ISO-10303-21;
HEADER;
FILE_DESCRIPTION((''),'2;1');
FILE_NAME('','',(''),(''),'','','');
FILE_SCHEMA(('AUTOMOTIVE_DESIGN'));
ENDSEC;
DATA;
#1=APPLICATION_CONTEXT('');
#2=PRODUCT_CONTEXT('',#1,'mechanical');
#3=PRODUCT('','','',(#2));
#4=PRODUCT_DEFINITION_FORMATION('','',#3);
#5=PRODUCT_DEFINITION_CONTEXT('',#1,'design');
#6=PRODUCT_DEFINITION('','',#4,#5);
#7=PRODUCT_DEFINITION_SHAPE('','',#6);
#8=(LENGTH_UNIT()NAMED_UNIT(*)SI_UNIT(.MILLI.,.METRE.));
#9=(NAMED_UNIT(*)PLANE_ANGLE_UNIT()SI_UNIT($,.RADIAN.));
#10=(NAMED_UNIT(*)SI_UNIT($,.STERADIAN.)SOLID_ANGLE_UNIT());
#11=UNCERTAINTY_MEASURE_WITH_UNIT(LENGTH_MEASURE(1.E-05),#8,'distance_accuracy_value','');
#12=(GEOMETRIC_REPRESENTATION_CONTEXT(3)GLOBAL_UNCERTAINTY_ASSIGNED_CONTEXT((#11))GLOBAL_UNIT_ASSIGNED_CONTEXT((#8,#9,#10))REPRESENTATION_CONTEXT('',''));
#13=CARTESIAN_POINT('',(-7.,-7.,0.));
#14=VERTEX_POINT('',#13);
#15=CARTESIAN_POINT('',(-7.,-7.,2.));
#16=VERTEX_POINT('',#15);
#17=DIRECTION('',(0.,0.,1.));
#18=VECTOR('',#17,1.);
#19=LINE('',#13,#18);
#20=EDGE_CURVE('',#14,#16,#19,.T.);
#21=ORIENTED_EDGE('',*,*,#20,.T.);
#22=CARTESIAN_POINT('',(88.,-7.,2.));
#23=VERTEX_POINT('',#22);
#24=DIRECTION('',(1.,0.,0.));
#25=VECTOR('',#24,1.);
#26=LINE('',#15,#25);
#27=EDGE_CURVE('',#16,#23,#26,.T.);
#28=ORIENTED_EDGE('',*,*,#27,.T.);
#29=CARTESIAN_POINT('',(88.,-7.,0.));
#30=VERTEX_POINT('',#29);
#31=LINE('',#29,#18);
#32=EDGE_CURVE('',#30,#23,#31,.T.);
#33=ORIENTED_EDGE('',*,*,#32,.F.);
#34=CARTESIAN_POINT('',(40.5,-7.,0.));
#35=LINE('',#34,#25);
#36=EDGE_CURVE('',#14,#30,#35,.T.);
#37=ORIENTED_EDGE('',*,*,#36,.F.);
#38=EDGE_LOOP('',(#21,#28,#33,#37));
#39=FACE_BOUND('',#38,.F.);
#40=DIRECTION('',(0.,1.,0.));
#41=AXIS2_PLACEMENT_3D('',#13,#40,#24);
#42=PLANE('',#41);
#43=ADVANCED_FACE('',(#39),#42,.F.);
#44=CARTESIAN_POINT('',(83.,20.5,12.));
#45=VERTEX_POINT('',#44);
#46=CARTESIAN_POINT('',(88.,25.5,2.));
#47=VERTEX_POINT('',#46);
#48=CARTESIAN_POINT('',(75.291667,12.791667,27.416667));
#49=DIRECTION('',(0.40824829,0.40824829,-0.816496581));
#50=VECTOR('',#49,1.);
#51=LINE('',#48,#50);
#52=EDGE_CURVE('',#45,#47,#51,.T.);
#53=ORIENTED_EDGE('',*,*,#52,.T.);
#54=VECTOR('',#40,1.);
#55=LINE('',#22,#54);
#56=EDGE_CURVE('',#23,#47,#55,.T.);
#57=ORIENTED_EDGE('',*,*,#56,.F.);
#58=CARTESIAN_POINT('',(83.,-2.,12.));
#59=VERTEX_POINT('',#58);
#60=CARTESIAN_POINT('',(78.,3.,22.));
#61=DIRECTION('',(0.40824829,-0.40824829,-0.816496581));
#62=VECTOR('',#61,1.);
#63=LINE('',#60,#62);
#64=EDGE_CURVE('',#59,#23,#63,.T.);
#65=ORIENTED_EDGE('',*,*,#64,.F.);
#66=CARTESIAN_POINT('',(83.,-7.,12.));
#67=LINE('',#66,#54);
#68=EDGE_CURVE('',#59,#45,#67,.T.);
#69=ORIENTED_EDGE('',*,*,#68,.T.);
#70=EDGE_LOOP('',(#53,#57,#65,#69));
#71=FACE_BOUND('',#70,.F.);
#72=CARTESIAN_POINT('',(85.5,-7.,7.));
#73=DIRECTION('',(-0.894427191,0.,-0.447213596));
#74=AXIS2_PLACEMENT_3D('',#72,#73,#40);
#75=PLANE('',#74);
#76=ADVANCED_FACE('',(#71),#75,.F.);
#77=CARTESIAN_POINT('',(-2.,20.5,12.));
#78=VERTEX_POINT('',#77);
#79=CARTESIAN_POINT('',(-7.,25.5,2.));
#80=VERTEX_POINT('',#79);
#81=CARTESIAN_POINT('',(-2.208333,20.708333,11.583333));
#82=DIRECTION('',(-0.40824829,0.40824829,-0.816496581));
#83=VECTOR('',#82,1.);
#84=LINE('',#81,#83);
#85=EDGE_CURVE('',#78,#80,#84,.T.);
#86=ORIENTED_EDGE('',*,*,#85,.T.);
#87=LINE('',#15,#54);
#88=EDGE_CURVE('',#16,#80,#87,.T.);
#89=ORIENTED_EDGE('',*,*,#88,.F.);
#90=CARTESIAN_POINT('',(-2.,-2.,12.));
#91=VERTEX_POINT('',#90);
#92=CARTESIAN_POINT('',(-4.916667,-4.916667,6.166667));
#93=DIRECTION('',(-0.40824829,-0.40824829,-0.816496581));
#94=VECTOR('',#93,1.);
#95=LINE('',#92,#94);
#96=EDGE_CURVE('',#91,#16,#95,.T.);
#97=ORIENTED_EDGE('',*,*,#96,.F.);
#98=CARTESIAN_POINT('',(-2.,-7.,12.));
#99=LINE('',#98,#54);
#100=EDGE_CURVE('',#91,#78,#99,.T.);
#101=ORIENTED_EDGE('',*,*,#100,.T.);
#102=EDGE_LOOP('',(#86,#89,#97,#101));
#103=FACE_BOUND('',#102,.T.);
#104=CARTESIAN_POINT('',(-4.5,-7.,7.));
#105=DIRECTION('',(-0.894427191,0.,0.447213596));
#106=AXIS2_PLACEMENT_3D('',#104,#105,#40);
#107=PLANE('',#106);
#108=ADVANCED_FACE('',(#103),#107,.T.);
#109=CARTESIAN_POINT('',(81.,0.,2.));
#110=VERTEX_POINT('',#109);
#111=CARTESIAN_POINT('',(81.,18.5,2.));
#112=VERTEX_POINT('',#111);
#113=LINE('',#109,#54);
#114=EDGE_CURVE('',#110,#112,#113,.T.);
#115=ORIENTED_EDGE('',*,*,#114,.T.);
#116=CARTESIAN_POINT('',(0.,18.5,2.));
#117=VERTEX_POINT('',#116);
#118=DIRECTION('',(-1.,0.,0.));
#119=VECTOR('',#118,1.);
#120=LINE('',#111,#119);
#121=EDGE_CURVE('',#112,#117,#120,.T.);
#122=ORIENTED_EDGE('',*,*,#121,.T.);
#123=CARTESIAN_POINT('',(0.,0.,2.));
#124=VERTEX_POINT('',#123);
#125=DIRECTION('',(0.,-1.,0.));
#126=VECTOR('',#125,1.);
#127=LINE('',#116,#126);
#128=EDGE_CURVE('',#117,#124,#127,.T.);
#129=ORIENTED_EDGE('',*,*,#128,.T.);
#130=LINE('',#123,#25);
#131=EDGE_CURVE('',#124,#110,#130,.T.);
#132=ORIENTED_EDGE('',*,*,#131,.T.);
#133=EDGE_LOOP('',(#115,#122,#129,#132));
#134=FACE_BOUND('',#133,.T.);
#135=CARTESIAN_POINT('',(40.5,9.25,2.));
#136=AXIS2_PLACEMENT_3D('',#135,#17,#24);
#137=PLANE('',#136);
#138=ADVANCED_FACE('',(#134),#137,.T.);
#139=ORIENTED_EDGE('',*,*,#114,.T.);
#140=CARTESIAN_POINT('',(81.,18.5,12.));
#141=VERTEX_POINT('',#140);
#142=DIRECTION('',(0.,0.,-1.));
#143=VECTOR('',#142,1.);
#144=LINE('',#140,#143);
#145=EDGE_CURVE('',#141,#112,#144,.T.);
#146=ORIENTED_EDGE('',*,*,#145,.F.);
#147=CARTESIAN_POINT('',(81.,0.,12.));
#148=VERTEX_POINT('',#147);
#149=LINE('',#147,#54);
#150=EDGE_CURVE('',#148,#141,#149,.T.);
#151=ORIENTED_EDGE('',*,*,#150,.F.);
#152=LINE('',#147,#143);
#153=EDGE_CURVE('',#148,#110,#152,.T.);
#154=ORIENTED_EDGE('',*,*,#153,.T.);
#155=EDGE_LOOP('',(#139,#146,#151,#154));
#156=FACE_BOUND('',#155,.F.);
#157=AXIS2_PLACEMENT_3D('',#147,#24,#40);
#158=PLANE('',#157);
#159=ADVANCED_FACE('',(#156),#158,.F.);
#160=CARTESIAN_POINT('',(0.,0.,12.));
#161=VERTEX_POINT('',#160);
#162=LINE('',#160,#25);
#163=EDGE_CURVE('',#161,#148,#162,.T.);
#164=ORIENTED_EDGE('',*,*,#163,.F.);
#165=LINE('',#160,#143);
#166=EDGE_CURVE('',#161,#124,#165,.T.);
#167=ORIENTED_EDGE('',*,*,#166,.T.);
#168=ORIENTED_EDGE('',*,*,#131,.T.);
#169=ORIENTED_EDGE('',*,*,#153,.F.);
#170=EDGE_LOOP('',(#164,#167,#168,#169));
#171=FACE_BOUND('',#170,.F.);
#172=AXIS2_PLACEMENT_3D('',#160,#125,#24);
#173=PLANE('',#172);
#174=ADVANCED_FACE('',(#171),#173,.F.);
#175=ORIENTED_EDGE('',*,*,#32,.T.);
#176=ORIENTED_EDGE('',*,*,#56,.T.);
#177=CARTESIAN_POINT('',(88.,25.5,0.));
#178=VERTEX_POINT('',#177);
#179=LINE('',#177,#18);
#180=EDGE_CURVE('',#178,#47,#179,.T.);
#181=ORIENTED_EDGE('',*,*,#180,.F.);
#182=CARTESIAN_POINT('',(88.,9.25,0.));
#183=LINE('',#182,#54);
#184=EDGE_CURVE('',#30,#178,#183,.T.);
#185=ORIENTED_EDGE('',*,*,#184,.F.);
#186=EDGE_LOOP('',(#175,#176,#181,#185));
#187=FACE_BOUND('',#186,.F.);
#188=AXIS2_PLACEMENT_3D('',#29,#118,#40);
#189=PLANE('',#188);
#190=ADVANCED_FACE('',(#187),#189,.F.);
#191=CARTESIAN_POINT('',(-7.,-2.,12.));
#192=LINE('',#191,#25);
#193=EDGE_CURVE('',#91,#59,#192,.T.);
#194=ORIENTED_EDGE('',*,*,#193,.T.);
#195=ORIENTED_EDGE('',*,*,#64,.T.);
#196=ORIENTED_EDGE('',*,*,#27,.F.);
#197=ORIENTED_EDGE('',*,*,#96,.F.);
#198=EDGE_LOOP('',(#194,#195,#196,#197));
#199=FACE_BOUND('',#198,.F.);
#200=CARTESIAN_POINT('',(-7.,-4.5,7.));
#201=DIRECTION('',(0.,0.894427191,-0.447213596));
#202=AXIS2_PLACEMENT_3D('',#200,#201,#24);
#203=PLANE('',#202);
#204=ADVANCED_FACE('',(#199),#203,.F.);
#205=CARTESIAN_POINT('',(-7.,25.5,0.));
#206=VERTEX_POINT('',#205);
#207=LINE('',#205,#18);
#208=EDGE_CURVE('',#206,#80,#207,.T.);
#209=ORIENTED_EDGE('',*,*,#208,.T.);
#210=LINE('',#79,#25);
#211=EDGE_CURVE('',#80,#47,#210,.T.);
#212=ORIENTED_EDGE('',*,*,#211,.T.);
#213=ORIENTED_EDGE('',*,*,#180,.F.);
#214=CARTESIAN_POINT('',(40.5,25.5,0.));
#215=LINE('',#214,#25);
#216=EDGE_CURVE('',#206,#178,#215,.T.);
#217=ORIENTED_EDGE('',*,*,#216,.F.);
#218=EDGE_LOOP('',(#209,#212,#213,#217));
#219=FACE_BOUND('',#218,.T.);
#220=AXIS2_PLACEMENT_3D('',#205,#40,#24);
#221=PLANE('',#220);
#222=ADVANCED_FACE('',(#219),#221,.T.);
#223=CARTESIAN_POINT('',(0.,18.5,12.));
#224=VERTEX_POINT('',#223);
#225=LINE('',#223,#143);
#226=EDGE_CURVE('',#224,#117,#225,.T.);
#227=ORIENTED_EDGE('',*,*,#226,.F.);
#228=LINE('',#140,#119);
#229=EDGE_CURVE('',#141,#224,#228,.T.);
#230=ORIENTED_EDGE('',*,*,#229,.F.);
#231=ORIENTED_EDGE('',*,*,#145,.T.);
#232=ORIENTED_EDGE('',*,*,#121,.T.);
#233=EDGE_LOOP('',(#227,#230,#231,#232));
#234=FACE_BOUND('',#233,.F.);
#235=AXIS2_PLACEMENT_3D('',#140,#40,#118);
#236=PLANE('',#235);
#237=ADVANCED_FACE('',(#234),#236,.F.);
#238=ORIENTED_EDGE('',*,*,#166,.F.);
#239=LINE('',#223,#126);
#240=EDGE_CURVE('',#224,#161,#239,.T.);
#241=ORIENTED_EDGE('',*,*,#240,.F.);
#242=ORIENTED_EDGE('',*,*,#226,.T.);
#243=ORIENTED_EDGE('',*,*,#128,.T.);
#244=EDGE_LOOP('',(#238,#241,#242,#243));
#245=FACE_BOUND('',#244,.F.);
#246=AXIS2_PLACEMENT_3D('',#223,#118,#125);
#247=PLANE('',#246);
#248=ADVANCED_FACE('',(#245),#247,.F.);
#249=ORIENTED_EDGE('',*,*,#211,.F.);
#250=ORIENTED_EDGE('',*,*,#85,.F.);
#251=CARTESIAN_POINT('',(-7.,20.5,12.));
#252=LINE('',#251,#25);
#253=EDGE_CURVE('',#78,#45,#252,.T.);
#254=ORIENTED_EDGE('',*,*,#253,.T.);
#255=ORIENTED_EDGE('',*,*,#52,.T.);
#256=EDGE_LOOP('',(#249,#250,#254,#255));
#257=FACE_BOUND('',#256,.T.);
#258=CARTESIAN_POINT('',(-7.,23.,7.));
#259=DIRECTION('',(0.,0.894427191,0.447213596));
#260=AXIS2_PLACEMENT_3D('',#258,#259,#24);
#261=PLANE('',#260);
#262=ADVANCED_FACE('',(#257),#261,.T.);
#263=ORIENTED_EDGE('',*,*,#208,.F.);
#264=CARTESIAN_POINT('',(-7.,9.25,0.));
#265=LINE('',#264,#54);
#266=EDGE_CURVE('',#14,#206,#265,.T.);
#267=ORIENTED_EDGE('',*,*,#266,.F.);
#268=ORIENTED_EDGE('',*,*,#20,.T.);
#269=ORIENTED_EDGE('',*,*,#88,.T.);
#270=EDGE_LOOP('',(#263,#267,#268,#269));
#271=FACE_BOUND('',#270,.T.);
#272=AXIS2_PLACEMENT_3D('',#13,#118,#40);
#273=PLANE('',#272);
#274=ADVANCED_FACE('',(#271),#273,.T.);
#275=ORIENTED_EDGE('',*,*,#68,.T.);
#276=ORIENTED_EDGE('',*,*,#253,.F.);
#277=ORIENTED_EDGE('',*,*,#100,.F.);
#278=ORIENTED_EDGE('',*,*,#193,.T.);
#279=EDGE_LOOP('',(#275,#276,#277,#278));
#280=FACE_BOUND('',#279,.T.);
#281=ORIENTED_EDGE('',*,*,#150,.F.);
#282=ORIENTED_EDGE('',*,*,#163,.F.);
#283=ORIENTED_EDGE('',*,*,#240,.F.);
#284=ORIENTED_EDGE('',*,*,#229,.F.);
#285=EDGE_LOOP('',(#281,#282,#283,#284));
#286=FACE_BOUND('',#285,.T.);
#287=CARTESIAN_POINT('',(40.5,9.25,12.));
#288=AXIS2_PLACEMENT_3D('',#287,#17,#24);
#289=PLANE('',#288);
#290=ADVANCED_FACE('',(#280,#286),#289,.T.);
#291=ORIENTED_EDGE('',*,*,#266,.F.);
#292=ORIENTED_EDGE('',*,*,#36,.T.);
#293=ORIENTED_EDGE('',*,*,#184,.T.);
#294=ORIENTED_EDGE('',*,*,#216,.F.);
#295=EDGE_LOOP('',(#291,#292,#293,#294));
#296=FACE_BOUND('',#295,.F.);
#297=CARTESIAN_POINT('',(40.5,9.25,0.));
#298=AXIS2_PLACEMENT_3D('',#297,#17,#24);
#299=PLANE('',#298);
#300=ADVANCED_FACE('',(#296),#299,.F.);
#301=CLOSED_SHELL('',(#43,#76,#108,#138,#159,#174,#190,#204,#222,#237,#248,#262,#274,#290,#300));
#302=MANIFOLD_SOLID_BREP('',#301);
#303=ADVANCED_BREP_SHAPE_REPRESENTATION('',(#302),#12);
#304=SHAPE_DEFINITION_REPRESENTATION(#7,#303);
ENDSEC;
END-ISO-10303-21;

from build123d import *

# Parameters (mm, degrees)
F0_W     = 95
F0_H     = 32.5
F1_DEPTH = 12
F3_DEPTH = 10
F4_SIZE2 = 10
F4_SIZE  = 5


with BuildPart() as f1:
    # F0 (on Top) → F1 (new body)
    with BuildSketch(Plane.XY):
        with Locations((40.5, 9.25)):
            Rectangle(F0_W, F0_H)
    extrude(amount=F1_DEPTH)

    # F2 (on face) → F3 (cut)
    with BuildSketch(Plane.XY.offset(12)):
        Polygon((0, 18.5), (0, 0), (4.9286105492, 0), (81, 0), (81, 18.5), align=None)
    extrude(amount=-F3_DEPTH, mode=Mode.SUBTRACT)

    # F4
    f4_edges = [f1.edges().sort_by_distance(p)[0] for p in [
        (40.5, 25.5, 12),
        (88, 9.25, 12),
        (40.5, -7, 12),
        (-7, 9.25, 12),
    ]]
    f4_side = f1.faces().sort_by_distance((40.5, 24.495946, 12))[0]
    chamfer(f4_edges, length=F4_SIZE, length2=F4_SIZE2, reference=f4_side)


solid = f1.part
